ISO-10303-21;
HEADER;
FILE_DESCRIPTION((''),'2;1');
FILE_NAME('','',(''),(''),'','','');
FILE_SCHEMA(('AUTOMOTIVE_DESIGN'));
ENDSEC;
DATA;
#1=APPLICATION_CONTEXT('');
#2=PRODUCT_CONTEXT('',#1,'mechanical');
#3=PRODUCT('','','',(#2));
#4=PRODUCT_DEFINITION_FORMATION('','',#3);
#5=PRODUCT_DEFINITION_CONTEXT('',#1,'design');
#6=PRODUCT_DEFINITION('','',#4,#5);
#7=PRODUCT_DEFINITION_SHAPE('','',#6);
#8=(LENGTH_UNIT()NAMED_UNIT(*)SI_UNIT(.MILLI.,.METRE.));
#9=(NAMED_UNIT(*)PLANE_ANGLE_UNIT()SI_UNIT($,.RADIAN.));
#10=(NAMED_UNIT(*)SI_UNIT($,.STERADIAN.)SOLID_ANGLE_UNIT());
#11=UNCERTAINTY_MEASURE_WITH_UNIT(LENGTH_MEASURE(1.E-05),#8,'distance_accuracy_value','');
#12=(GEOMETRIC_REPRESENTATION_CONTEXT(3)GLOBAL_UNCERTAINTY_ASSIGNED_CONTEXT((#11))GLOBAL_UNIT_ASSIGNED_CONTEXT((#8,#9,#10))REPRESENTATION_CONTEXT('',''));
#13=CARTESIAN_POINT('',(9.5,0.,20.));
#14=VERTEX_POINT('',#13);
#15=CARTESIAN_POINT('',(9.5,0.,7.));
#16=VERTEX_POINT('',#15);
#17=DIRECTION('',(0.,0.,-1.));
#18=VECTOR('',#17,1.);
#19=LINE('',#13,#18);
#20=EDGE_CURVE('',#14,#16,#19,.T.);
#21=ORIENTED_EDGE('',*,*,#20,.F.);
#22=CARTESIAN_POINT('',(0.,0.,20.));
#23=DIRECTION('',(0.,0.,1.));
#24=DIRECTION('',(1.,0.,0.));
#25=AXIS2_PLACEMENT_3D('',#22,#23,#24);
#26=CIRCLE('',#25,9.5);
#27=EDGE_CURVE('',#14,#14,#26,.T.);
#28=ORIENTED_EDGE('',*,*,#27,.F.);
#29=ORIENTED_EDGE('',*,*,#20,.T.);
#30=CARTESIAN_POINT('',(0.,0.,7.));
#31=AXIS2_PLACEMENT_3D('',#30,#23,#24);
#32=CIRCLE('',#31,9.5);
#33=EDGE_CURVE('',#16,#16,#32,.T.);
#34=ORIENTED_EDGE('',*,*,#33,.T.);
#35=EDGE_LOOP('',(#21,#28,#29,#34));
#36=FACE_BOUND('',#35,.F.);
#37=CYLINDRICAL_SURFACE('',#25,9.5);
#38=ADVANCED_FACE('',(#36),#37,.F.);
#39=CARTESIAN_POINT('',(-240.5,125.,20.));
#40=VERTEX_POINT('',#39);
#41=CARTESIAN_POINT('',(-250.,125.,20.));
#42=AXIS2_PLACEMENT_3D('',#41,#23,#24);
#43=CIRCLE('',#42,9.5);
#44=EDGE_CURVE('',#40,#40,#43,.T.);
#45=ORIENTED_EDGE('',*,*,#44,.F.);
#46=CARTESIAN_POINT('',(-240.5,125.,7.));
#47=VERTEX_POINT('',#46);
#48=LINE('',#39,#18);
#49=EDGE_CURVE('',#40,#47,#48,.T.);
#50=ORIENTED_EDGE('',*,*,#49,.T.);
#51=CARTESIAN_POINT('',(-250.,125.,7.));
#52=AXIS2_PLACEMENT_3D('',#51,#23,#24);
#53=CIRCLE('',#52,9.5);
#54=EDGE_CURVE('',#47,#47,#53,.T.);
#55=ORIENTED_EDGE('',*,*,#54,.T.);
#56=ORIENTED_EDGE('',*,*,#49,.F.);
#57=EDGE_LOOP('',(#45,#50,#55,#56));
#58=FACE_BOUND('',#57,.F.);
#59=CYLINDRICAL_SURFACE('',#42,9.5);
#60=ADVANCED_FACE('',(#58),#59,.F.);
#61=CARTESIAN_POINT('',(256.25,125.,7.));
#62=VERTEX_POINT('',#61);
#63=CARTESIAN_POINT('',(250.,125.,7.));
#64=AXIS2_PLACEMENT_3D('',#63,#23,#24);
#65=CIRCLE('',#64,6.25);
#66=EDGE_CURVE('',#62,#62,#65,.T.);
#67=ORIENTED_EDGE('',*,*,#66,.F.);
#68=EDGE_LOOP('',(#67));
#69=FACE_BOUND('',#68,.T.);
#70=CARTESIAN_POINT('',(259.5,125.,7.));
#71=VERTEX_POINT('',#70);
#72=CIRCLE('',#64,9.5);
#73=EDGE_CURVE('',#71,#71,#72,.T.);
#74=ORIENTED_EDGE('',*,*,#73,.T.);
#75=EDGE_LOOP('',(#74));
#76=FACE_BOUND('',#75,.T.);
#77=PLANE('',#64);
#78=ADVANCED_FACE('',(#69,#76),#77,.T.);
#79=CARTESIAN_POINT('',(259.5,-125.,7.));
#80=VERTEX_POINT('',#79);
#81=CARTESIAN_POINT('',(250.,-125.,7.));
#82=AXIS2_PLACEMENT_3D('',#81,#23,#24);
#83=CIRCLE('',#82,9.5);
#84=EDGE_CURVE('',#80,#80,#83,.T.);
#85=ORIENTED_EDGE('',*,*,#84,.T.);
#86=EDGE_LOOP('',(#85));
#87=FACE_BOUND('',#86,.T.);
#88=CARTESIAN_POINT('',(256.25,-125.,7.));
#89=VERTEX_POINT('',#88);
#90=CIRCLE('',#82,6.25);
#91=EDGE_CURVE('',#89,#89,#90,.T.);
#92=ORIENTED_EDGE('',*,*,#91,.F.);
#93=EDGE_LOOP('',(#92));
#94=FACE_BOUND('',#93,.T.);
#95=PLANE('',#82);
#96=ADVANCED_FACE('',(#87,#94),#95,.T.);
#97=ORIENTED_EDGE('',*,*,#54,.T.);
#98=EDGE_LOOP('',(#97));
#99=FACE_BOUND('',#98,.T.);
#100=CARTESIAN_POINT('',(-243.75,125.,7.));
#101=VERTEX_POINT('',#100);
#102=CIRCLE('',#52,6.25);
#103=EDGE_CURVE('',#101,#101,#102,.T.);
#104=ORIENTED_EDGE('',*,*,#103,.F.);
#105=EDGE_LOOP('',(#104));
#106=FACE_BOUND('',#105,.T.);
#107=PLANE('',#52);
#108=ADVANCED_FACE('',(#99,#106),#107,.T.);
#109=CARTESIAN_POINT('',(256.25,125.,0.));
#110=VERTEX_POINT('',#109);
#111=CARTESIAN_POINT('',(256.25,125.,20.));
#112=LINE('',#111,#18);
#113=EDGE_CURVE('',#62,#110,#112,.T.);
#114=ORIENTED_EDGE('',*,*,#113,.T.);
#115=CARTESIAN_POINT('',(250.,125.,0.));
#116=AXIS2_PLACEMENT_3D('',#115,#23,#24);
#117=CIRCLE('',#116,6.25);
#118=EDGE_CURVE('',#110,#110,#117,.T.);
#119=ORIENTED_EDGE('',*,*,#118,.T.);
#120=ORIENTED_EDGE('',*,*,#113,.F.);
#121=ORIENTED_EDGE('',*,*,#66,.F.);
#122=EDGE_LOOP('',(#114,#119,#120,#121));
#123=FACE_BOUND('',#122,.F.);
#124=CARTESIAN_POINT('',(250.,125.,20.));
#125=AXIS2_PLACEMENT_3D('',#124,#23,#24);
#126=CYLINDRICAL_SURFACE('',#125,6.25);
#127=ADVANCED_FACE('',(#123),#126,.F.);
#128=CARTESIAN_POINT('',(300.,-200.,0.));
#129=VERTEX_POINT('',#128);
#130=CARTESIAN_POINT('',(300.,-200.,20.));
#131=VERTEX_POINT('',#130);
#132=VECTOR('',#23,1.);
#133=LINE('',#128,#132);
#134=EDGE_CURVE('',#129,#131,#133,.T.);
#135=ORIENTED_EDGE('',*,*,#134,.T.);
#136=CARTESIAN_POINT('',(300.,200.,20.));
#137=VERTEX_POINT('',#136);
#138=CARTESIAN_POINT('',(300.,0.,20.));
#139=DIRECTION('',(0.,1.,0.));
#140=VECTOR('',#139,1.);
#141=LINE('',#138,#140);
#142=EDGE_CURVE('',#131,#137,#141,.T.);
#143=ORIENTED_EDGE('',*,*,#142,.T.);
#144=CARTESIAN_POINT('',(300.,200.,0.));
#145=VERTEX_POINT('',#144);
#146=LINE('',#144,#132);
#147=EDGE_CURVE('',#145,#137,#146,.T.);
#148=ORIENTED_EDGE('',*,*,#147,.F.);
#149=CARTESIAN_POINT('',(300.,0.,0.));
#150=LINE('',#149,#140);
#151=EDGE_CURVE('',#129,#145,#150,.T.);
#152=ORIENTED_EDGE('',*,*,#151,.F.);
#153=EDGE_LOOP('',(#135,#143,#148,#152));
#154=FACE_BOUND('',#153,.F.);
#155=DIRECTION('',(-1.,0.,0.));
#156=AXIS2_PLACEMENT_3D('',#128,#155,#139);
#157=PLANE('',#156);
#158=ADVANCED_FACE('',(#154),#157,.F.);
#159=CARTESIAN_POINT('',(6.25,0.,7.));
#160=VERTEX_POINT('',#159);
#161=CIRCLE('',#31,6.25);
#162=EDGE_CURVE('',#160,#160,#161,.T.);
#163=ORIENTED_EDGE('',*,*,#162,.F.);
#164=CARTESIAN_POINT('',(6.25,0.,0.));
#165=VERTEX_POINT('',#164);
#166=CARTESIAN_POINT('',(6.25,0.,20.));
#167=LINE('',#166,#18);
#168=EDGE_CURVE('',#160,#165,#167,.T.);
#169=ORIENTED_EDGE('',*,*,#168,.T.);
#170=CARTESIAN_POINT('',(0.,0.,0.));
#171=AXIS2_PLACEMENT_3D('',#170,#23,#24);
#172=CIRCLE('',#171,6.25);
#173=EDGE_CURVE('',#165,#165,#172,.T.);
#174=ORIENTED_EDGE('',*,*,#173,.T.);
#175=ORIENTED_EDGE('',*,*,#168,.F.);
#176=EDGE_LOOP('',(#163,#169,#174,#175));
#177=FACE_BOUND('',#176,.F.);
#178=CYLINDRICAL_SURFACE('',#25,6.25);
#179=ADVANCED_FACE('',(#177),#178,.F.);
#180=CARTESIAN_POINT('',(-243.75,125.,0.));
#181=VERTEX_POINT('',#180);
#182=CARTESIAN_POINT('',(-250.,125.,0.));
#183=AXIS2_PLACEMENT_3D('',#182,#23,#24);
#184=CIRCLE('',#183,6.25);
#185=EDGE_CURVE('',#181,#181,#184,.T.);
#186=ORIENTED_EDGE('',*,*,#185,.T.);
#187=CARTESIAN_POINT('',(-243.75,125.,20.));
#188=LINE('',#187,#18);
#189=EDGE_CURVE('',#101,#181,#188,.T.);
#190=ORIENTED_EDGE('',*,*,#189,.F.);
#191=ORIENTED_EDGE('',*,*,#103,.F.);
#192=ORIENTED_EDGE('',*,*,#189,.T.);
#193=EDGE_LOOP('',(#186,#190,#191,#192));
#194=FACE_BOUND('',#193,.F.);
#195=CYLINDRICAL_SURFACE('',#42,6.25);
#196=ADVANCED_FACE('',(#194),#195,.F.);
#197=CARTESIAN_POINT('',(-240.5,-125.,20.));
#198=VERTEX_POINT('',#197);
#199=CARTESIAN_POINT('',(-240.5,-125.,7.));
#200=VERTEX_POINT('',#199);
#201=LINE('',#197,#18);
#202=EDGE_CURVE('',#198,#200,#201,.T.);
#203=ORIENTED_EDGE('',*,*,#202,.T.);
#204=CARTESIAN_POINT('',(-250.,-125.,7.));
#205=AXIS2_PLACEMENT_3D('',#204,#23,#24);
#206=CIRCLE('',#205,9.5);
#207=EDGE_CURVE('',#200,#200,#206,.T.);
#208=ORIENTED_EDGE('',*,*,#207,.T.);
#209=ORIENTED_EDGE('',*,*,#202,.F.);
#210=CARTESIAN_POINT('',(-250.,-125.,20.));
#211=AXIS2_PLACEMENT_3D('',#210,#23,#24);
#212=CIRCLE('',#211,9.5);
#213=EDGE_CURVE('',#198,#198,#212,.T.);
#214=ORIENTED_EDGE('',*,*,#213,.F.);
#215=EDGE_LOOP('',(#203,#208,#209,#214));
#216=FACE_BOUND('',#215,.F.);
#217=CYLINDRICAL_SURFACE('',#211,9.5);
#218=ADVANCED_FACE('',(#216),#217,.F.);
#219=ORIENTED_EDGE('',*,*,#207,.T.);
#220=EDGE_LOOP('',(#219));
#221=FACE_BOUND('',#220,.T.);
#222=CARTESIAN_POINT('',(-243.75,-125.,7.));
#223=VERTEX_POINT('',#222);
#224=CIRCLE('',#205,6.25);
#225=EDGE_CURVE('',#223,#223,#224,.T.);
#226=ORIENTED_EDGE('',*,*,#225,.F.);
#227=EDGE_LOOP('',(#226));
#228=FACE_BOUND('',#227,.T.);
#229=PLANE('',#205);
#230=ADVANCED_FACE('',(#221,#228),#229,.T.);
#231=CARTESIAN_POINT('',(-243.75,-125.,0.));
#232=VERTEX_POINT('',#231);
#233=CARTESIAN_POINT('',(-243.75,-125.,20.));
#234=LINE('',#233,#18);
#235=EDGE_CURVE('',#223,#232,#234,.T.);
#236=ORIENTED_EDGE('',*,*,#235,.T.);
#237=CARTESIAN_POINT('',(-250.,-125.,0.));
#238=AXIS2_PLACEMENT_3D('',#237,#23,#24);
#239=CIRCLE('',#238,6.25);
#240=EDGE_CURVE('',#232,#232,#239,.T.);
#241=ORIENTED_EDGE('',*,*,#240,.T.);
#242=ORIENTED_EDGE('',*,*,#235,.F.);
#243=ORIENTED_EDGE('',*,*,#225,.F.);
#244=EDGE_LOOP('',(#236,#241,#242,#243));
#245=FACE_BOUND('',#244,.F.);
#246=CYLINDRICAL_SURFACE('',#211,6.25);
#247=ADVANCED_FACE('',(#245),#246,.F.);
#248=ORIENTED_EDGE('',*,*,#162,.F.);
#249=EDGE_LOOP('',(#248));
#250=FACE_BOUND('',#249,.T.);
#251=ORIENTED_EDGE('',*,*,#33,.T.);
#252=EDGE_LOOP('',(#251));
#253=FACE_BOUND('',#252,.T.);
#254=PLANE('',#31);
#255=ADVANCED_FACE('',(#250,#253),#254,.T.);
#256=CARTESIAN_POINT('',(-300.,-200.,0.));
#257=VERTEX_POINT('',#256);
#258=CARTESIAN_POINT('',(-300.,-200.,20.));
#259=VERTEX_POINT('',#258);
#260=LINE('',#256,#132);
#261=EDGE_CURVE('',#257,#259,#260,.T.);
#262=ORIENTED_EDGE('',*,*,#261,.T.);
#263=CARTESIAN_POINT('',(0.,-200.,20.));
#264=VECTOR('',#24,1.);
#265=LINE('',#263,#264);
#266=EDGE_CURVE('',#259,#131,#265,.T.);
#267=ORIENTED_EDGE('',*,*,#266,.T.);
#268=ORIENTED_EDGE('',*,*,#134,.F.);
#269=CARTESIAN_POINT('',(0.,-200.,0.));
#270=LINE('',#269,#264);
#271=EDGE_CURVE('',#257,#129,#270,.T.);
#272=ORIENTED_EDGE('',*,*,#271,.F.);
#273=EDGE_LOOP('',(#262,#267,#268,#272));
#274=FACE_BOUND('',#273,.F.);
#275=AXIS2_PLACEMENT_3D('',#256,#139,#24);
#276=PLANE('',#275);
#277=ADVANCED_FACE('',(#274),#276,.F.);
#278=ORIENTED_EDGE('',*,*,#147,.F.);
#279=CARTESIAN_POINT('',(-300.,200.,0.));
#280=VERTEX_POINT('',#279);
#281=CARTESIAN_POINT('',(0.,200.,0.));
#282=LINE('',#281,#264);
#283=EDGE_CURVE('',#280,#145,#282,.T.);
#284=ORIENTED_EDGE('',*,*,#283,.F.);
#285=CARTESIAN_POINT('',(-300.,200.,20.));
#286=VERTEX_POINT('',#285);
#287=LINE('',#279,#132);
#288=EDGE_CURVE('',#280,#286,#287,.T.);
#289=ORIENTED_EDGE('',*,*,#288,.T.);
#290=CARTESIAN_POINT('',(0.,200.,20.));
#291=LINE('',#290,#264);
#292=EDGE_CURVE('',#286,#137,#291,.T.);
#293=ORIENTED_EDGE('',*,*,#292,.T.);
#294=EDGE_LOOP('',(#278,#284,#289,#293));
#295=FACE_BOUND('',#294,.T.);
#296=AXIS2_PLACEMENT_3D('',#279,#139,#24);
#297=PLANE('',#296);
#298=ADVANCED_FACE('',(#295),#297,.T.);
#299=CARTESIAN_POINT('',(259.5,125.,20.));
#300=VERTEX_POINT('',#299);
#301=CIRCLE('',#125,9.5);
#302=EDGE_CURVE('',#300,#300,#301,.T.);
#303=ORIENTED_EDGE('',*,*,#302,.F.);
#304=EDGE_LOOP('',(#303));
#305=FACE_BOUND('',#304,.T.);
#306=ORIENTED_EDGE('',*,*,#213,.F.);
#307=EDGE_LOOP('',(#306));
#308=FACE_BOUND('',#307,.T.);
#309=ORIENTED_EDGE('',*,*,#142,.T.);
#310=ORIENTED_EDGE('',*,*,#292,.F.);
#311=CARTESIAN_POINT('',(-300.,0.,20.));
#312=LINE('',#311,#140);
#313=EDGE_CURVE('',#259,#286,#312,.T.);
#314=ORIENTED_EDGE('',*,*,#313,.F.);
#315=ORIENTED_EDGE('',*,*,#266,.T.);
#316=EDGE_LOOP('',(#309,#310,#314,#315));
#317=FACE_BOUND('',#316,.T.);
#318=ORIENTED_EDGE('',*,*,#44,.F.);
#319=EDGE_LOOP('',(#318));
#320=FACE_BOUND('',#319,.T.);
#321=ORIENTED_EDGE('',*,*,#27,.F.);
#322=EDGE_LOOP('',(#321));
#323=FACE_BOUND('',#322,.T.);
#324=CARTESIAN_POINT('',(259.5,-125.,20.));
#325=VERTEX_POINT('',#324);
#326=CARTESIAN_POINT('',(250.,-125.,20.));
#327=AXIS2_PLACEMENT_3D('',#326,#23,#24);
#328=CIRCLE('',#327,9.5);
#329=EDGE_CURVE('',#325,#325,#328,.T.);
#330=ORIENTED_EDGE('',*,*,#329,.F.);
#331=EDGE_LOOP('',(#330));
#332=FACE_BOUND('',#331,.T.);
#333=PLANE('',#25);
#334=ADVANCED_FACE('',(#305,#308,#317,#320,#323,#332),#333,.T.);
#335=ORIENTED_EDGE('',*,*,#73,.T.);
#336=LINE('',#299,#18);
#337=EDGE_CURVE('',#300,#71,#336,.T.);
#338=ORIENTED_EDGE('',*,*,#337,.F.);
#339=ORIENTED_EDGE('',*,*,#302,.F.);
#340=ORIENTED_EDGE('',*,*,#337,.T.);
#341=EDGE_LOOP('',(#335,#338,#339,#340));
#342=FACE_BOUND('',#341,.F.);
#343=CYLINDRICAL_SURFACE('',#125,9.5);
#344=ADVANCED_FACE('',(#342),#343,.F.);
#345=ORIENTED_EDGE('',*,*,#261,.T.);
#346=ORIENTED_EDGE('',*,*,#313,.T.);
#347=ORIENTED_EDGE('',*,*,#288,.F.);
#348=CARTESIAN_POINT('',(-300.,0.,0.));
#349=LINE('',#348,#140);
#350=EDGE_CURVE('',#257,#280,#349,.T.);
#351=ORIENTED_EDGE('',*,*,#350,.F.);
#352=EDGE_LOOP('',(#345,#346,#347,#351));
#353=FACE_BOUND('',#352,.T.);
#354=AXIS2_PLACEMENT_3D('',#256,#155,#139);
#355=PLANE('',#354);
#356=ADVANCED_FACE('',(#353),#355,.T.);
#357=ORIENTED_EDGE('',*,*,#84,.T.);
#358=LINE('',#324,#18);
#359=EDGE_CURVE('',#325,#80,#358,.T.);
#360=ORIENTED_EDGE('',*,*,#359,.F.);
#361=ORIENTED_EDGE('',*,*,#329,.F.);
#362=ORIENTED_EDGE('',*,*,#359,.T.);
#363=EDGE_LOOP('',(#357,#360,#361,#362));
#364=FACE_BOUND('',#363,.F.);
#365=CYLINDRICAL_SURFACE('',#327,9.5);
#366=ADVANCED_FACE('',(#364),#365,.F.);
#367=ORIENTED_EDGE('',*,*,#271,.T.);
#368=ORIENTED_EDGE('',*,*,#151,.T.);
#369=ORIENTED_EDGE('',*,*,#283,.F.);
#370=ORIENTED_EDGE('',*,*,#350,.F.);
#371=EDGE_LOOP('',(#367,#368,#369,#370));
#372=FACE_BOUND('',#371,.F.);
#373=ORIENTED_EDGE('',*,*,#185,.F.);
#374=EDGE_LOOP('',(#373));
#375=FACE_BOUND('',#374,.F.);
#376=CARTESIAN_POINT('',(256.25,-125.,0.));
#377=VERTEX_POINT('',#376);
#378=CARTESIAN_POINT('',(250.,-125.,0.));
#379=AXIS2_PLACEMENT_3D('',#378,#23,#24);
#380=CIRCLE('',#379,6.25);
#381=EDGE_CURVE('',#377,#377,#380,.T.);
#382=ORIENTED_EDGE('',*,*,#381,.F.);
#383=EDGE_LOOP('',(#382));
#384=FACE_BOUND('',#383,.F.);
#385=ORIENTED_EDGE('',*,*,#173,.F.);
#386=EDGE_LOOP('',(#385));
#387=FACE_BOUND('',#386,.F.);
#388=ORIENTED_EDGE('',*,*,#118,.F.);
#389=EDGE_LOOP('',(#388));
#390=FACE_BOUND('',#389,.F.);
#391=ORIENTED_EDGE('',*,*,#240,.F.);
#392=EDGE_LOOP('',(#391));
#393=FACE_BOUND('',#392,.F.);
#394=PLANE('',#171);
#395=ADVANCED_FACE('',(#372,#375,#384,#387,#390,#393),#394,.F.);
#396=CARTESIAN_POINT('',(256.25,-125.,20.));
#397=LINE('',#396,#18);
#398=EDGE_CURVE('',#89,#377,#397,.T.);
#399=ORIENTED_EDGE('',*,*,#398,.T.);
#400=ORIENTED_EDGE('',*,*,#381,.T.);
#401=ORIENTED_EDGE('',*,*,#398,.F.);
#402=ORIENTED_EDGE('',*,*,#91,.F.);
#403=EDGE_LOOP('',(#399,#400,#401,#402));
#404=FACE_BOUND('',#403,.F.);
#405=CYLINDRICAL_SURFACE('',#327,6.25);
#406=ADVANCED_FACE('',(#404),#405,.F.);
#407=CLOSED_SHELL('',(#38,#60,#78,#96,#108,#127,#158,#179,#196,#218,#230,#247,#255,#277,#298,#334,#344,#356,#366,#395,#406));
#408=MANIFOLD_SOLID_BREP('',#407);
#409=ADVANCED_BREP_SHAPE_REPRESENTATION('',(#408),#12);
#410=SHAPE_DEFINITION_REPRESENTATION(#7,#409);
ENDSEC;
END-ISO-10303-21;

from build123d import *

# Parameters (mm, degrees)
F0_W     = 600
F0_H     = 400
F1_DEPTH = 20
F2_R     = 6.25
F3_DEPTH = 25
F4_R     = 9.5
F5_DEPTH = 13


with BuildPart() as f1:
    # F0 (on Top) → F1 (new body)
    with BuildSketch(Plane.XY):
        Rectangle(F0_W, F0_H)
    extrude(amount=F1_DEPTH)

    # F2 (on face) → F3 (cut)
    with BuildSketch(Plane.XY.offset(20)):
        with Locations((-250, 125)):
            Circle(F2_R)
        with Locations((-250, -125)):
            Circle(F2_R)
        with Locations((250, 125)):
            Circle(F2_R)
        with Locations((250, -125)):
            Circle(F2_R)
        Circle(F2_R)
    extrude(amount=-F3_DEPTH, mode=Mode.SUBTRACT)

    # F4 (on face) → F5 (cut)
    with BuildSketch(Plane.XY.offset(20)):
        with Locations((250, 125)):
            Circle(F4_R)
        with Locations((250, -125)):
            Circle(F4_R)
        Circle(F4_R)
        with Locations((-250, 125)):
            Circle(F4_R)
        with Locations((-250, -125)):
            Circle(F4_R)
    extrude(amount=-F5_DEPTH, mode=Mode.SUBTRACT)


solid = f1.part
